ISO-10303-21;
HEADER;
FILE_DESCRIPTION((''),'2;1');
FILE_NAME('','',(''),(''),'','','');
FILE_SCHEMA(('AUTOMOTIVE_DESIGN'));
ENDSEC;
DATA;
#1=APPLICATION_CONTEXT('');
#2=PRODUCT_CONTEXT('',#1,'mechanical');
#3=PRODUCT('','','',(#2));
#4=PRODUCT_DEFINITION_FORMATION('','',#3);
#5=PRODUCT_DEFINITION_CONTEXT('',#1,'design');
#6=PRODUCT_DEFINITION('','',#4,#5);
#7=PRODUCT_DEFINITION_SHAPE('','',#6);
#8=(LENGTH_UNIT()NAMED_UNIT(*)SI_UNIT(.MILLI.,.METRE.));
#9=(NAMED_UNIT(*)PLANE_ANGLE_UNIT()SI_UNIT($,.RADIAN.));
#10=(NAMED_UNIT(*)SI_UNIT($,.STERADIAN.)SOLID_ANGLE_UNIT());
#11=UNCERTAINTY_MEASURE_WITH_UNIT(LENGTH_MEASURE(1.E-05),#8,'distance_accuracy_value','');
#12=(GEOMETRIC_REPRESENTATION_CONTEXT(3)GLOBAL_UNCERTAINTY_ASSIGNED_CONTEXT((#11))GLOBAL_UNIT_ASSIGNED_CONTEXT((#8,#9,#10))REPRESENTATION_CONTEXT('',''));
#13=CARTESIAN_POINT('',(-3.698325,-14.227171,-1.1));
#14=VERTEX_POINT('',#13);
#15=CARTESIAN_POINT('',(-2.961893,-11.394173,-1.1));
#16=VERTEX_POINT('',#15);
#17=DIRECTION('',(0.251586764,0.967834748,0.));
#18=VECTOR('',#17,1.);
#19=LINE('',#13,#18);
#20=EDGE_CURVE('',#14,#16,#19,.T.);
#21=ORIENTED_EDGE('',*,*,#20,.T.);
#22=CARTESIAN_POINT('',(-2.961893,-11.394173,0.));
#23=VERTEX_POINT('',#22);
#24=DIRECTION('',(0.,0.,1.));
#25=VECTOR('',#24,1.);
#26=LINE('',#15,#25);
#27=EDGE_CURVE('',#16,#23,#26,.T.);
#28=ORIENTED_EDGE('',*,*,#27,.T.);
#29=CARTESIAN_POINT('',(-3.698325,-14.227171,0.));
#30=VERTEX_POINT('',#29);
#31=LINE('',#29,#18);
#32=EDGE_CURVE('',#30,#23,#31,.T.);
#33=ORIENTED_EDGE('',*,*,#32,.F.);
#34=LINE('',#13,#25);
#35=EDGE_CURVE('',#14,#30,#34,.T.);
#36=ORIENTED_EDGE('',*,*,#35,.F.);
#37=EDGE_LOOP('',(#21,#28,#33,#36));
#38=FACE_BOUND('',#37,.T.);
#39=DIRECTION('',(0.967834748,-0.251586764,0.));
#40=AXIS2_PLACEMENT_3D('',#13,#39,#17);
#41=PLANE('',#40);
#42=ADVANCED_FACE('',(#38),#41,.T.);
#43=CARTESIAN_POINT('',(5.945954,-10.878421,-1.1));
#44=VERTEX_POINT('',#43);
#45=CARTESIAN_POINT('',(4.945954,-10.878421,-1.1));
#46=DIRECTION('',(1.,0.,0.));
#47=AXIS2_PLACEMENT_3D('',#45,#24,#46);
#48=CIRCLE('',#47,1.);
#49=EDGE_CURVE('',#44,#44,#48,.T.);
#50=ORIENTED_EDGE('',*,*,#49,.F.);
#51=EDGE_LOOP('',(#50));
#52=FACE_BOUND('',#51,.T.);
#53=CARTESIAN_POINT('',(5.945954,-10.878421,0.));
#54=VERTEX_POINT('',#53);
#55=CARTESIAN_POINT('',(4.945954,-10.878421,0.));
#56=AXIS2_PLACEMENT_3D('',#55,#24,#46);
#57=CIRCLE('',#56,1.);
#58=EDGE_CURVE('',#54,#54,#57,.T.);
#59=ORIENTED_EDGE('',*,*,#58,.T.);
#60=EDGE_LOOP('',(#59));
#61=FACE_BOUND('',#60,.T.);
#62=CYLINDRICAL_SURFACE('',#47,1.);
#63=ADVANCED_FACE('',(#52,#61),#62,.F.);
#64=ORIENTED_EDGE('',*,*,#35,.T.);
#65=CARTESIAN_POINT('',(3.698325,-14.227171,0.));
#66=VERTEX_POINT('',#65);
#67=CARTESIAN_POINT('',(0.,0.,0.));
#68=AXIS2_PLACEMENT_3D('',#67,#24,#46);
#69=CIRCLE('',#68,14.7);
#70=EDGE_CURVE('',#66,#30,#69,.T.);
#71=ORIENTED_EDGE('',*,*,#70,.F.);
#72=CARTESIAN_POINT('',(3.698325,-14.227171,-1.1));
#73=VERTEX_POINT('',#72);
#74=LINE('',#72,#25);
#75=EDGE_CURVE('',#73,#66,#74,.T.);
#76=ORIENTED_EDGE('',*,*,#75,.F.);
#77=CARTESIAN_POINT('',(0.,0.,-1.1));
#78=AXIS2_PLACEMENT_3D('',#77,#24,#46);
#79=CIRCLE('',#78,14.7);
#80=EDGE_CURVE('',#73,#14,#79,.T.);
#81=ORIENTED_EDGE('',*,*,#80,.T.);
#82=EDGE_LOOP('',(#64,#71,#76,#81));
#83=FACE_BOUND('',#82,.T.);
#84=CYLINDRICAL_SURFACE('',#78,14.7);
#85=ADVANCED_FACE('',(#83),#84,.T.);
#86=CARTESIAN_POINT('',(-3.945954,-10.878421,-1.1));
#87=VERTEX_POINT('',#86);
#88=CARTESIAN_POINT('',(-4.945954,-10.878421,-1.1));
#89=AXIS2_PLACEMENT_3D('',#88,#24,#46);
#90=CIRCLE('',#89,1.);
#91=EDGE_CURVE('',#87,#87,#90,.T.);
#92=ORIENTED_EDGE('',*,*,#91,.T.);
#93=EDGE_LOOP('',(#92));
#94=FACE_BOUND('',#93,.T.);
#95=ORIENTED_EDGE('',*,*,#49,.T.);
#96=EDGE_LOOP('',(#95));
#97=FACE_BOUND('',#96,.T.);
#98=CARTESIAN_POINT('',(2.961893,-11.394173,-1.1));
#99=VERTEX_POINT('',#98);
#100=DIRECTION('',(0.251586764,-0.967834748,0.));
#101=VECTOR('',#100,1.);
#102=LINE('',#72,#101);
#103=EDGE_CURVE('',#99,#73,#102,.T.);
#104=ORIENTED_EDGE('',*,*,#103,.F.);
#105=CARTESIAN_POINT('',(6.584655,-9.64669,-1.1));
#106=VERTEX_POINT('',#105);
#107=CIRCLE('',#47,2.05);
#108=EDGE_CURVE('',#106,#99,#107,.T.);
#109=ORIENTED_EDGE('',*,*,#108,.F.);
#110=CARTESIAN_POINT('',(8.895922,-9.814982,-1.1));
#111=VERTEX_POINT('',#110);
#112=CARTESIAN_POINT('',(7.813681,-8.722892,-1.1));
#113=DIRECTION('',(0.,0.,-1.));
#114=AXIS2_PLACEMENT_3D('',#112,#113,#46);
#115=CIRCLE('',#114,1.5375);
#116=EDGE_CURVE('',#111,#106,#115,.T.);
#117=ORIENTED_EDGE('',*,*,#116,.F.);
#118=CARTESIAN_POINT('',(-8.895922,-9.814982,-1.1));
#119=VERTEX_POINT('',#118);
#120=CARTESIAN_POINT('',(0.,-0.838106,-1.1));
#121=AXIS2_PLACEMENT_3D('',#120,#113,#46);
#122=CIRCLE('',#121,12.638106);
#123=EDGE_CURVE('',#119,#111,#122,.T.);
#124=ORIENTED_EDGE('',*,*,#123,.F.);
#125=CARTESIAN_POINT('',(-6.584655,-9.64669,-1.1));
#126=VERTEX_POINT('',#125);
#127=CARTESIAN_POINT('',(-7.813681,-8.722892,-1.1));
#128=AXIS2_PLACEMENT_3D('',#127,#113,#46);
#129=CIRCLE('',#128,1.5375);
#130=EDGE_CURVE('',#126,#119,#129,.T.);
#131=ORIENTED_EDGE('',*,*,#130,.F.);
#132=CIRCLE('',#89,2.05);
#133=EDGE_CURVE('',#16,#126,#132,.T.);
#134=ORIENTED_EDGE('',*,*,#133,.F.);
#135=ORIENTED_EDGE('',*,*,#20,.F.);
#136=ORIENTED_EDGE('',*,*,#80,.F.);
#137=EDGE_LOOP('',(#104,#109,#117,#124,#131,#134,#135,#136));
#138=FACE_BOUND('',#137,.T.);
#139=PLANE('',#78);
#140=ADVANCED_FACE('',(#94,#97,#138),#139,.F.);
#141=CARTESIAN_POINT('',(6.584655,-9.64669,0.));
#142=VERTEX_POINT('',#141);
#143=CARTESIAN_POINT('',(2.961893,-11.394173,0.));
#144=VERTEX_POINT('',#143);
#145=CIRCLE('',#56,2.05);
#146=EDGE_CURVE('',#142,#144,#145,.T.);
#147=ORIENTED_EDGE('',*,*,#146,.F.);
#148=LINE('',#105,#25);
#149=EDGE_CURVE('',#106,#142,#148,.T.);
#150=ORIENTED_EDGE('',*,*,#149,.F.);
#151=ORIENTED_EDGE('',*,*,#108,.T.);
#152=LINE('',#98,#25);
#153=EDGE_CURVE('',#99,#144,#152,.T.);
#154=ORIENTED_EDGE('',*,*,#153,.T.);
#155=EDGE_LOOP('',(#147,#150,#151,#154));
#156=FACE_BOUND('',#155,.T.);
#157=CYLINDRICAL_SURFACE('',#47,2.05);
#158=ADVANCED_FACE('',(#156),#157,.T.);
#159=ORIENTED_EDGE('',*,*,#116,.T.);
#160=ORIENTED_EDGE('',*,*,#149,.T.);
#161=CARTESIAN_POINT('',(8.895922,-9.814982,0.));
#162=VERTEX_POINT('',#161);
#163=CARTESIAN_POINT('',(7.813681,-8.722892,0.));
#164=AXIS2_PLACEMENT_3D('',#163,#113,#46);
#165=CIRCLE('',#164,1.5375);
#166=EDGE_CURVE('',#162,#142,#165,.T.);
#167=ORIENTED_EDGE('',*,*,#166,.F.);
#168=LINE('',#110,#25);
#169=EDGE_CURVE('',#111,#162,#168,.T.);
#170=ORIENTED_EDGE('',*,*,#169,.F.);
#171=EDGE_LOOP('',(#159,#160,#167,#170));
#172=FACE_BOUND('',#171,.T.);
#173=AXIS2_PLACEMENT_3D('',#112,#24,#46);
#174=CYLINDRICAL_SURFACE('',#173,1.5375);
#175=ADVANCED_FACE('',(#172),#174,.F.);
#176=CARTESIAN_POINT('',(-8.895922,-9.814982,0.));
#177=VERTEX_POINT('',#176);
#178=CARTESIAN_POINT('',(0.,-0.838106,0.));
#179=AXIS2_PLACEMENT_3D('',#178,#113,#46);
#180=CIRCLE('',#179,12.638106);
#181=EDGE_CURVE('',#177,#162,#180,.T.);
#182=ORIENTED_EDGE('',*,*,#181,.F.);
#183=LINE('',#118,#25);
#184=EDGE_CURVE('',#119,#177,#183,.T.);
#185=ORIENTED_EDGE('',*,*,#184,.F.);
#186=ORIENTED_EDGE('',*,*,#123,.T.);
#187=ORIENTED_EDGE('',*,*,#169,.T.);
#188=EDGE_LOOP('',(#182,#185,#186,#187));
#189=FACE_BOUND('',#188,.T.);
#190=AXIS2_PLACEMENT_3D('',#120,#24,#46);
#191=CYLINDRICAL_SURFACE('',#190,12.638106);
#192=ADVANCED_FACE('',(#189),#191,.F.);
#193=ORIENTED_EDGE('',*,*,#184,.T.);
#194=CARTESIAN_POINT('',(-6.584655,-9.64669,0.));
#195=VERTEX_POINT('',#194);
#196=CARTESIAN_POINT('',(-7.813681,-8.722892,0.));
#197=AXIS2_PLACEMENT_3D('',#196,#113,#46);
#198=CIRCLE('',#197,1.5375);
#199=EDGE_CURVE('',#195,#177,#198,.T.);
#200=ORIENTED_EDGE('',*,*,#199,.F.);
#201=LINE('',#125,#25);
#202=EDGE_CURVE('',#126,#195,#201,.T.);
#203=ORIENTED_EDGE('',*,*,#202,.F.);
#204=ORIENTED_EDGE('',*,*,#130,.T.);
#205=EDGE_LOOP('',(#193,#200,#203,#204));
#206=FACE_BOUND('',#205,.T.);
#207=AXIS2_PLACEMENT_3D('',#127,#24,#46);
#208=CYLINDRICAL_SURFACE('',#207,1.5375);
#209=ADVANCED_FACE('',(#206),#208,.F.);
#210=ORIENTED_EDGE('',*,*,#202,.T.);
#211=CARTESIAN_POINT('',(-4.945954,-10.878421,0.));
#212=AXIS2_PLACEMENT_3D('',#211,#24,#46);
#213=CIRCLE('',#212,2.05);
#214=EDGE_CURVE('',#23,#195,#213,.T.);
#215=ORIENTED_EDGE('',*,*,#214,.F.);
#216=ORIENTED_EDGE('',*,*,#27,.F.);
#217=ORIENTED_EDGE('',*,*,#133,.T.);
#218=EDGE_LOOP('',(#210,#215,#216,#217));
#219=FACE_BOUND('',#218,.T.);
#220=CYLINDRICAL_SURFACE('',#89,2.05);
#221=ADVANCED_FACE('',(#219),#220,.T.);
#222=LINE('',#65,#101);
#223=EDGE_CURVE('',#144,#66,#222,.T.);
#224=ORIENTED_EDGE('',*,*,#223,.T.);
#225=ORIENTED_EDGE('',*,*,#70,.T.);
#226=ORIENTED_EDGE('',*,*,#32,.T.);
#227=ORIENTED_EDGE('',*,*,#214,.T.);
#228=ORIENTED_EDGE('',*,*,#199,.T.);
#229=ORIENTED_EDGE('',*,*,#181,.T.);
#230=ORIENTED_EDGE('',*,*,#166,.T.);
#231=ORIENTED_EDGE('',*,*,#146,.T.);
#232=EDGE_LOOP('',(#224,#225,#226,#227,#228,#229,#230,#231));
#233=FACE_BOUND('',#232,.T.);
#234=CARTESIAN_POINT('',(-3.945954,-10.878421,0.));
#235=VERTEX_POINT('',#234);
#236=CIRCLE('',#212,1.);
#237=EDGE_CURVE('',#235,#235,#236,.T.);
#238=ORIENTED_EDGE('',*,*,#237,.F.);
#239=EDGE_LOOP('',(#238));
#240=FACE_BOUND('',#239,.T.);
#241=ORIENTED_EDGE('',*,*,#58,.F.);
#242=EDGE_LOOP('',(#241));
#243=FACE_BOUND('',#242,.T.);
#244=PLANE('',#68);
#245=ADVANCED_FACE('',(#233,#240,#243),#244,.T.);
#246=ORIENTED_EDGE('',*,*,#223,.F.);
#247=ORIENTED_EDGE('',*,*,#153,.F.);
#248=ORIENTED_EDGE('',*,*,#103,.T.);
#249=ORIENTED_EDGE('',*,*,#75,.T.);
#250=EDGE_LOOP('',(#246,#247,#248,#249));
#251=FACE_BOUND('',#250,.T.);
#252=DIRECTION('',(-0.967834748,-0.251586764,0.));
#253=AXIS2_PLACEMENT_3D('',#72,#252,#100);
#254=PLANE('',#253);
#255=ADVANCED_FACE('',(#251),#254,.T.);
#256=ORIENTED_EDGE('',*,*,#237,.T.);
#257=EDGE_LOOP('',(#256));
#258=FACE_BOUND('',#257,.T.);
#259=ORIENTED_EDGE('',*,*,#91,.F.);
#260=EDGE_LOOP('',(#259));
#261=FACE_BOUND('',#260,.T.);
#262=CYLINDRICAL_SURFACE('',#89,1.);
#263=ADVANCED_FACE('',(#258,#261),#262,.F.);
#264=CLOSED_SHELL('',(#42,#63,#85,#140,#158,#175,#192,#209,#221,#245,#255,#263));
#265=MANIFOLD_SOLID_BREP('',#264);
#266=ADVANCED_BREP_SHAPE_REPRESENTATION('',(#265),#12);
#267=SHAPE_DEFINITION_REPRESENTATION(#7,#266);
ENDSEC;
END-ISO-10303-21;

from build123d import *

# Parameters (mm, degrees)
BODYSKE_R  = 1
BODY_DEPTH = 1.1


with BuildPart() as part:
    # BodySke → Body (new body)
    with BuildSketch(Plane.XY):
        with BuildLine():
            Line((3.698325427, -14.227170802), (2.961893262, -11.394173437))
            ThreePointArc((2.961893262, -11.394173437), (4.055312562, -9.032003244), (6.584655155, -9.646690019))
            ThreePointArc((6.584655155, -9.646690019), (7.702025194, -10.256332456), (8.895921915, -9.814981887))
            ThreePointArc((8.895921915, -9.814981887), (0, 11.8), (-8.895921915, -9.814981887))
            ThreePointArc((-8.895921915, -9.814981887), (-7.702025194, -10.256332456), (-6.584655155, -9.646690019))
            ThreePointArc((-6.584655155, -9.646690019), (-4.055312562, -9.032003244), (-2.961893262, -11.394173437))
            Line((-2.961893262, -11.394173437), (-3.698325427, -14.227170802))
            ThreePointArc((-3.698325427, -14.227170802), (0, 14.7), (3.698325427, -14.227170802))
        make_face()
        with Locations((4.945954497, -10.878420571)):
            Circle(BODYSKE_R, mode=Mode.SUBTRACT)
        with Locations((-4.945954497, -10.878420571)):
            Circle(BODYSKE_R, mode=Mode.SUBTRACT)
    extrude(amount=-BODY_DEPTH)


solid = part.part
